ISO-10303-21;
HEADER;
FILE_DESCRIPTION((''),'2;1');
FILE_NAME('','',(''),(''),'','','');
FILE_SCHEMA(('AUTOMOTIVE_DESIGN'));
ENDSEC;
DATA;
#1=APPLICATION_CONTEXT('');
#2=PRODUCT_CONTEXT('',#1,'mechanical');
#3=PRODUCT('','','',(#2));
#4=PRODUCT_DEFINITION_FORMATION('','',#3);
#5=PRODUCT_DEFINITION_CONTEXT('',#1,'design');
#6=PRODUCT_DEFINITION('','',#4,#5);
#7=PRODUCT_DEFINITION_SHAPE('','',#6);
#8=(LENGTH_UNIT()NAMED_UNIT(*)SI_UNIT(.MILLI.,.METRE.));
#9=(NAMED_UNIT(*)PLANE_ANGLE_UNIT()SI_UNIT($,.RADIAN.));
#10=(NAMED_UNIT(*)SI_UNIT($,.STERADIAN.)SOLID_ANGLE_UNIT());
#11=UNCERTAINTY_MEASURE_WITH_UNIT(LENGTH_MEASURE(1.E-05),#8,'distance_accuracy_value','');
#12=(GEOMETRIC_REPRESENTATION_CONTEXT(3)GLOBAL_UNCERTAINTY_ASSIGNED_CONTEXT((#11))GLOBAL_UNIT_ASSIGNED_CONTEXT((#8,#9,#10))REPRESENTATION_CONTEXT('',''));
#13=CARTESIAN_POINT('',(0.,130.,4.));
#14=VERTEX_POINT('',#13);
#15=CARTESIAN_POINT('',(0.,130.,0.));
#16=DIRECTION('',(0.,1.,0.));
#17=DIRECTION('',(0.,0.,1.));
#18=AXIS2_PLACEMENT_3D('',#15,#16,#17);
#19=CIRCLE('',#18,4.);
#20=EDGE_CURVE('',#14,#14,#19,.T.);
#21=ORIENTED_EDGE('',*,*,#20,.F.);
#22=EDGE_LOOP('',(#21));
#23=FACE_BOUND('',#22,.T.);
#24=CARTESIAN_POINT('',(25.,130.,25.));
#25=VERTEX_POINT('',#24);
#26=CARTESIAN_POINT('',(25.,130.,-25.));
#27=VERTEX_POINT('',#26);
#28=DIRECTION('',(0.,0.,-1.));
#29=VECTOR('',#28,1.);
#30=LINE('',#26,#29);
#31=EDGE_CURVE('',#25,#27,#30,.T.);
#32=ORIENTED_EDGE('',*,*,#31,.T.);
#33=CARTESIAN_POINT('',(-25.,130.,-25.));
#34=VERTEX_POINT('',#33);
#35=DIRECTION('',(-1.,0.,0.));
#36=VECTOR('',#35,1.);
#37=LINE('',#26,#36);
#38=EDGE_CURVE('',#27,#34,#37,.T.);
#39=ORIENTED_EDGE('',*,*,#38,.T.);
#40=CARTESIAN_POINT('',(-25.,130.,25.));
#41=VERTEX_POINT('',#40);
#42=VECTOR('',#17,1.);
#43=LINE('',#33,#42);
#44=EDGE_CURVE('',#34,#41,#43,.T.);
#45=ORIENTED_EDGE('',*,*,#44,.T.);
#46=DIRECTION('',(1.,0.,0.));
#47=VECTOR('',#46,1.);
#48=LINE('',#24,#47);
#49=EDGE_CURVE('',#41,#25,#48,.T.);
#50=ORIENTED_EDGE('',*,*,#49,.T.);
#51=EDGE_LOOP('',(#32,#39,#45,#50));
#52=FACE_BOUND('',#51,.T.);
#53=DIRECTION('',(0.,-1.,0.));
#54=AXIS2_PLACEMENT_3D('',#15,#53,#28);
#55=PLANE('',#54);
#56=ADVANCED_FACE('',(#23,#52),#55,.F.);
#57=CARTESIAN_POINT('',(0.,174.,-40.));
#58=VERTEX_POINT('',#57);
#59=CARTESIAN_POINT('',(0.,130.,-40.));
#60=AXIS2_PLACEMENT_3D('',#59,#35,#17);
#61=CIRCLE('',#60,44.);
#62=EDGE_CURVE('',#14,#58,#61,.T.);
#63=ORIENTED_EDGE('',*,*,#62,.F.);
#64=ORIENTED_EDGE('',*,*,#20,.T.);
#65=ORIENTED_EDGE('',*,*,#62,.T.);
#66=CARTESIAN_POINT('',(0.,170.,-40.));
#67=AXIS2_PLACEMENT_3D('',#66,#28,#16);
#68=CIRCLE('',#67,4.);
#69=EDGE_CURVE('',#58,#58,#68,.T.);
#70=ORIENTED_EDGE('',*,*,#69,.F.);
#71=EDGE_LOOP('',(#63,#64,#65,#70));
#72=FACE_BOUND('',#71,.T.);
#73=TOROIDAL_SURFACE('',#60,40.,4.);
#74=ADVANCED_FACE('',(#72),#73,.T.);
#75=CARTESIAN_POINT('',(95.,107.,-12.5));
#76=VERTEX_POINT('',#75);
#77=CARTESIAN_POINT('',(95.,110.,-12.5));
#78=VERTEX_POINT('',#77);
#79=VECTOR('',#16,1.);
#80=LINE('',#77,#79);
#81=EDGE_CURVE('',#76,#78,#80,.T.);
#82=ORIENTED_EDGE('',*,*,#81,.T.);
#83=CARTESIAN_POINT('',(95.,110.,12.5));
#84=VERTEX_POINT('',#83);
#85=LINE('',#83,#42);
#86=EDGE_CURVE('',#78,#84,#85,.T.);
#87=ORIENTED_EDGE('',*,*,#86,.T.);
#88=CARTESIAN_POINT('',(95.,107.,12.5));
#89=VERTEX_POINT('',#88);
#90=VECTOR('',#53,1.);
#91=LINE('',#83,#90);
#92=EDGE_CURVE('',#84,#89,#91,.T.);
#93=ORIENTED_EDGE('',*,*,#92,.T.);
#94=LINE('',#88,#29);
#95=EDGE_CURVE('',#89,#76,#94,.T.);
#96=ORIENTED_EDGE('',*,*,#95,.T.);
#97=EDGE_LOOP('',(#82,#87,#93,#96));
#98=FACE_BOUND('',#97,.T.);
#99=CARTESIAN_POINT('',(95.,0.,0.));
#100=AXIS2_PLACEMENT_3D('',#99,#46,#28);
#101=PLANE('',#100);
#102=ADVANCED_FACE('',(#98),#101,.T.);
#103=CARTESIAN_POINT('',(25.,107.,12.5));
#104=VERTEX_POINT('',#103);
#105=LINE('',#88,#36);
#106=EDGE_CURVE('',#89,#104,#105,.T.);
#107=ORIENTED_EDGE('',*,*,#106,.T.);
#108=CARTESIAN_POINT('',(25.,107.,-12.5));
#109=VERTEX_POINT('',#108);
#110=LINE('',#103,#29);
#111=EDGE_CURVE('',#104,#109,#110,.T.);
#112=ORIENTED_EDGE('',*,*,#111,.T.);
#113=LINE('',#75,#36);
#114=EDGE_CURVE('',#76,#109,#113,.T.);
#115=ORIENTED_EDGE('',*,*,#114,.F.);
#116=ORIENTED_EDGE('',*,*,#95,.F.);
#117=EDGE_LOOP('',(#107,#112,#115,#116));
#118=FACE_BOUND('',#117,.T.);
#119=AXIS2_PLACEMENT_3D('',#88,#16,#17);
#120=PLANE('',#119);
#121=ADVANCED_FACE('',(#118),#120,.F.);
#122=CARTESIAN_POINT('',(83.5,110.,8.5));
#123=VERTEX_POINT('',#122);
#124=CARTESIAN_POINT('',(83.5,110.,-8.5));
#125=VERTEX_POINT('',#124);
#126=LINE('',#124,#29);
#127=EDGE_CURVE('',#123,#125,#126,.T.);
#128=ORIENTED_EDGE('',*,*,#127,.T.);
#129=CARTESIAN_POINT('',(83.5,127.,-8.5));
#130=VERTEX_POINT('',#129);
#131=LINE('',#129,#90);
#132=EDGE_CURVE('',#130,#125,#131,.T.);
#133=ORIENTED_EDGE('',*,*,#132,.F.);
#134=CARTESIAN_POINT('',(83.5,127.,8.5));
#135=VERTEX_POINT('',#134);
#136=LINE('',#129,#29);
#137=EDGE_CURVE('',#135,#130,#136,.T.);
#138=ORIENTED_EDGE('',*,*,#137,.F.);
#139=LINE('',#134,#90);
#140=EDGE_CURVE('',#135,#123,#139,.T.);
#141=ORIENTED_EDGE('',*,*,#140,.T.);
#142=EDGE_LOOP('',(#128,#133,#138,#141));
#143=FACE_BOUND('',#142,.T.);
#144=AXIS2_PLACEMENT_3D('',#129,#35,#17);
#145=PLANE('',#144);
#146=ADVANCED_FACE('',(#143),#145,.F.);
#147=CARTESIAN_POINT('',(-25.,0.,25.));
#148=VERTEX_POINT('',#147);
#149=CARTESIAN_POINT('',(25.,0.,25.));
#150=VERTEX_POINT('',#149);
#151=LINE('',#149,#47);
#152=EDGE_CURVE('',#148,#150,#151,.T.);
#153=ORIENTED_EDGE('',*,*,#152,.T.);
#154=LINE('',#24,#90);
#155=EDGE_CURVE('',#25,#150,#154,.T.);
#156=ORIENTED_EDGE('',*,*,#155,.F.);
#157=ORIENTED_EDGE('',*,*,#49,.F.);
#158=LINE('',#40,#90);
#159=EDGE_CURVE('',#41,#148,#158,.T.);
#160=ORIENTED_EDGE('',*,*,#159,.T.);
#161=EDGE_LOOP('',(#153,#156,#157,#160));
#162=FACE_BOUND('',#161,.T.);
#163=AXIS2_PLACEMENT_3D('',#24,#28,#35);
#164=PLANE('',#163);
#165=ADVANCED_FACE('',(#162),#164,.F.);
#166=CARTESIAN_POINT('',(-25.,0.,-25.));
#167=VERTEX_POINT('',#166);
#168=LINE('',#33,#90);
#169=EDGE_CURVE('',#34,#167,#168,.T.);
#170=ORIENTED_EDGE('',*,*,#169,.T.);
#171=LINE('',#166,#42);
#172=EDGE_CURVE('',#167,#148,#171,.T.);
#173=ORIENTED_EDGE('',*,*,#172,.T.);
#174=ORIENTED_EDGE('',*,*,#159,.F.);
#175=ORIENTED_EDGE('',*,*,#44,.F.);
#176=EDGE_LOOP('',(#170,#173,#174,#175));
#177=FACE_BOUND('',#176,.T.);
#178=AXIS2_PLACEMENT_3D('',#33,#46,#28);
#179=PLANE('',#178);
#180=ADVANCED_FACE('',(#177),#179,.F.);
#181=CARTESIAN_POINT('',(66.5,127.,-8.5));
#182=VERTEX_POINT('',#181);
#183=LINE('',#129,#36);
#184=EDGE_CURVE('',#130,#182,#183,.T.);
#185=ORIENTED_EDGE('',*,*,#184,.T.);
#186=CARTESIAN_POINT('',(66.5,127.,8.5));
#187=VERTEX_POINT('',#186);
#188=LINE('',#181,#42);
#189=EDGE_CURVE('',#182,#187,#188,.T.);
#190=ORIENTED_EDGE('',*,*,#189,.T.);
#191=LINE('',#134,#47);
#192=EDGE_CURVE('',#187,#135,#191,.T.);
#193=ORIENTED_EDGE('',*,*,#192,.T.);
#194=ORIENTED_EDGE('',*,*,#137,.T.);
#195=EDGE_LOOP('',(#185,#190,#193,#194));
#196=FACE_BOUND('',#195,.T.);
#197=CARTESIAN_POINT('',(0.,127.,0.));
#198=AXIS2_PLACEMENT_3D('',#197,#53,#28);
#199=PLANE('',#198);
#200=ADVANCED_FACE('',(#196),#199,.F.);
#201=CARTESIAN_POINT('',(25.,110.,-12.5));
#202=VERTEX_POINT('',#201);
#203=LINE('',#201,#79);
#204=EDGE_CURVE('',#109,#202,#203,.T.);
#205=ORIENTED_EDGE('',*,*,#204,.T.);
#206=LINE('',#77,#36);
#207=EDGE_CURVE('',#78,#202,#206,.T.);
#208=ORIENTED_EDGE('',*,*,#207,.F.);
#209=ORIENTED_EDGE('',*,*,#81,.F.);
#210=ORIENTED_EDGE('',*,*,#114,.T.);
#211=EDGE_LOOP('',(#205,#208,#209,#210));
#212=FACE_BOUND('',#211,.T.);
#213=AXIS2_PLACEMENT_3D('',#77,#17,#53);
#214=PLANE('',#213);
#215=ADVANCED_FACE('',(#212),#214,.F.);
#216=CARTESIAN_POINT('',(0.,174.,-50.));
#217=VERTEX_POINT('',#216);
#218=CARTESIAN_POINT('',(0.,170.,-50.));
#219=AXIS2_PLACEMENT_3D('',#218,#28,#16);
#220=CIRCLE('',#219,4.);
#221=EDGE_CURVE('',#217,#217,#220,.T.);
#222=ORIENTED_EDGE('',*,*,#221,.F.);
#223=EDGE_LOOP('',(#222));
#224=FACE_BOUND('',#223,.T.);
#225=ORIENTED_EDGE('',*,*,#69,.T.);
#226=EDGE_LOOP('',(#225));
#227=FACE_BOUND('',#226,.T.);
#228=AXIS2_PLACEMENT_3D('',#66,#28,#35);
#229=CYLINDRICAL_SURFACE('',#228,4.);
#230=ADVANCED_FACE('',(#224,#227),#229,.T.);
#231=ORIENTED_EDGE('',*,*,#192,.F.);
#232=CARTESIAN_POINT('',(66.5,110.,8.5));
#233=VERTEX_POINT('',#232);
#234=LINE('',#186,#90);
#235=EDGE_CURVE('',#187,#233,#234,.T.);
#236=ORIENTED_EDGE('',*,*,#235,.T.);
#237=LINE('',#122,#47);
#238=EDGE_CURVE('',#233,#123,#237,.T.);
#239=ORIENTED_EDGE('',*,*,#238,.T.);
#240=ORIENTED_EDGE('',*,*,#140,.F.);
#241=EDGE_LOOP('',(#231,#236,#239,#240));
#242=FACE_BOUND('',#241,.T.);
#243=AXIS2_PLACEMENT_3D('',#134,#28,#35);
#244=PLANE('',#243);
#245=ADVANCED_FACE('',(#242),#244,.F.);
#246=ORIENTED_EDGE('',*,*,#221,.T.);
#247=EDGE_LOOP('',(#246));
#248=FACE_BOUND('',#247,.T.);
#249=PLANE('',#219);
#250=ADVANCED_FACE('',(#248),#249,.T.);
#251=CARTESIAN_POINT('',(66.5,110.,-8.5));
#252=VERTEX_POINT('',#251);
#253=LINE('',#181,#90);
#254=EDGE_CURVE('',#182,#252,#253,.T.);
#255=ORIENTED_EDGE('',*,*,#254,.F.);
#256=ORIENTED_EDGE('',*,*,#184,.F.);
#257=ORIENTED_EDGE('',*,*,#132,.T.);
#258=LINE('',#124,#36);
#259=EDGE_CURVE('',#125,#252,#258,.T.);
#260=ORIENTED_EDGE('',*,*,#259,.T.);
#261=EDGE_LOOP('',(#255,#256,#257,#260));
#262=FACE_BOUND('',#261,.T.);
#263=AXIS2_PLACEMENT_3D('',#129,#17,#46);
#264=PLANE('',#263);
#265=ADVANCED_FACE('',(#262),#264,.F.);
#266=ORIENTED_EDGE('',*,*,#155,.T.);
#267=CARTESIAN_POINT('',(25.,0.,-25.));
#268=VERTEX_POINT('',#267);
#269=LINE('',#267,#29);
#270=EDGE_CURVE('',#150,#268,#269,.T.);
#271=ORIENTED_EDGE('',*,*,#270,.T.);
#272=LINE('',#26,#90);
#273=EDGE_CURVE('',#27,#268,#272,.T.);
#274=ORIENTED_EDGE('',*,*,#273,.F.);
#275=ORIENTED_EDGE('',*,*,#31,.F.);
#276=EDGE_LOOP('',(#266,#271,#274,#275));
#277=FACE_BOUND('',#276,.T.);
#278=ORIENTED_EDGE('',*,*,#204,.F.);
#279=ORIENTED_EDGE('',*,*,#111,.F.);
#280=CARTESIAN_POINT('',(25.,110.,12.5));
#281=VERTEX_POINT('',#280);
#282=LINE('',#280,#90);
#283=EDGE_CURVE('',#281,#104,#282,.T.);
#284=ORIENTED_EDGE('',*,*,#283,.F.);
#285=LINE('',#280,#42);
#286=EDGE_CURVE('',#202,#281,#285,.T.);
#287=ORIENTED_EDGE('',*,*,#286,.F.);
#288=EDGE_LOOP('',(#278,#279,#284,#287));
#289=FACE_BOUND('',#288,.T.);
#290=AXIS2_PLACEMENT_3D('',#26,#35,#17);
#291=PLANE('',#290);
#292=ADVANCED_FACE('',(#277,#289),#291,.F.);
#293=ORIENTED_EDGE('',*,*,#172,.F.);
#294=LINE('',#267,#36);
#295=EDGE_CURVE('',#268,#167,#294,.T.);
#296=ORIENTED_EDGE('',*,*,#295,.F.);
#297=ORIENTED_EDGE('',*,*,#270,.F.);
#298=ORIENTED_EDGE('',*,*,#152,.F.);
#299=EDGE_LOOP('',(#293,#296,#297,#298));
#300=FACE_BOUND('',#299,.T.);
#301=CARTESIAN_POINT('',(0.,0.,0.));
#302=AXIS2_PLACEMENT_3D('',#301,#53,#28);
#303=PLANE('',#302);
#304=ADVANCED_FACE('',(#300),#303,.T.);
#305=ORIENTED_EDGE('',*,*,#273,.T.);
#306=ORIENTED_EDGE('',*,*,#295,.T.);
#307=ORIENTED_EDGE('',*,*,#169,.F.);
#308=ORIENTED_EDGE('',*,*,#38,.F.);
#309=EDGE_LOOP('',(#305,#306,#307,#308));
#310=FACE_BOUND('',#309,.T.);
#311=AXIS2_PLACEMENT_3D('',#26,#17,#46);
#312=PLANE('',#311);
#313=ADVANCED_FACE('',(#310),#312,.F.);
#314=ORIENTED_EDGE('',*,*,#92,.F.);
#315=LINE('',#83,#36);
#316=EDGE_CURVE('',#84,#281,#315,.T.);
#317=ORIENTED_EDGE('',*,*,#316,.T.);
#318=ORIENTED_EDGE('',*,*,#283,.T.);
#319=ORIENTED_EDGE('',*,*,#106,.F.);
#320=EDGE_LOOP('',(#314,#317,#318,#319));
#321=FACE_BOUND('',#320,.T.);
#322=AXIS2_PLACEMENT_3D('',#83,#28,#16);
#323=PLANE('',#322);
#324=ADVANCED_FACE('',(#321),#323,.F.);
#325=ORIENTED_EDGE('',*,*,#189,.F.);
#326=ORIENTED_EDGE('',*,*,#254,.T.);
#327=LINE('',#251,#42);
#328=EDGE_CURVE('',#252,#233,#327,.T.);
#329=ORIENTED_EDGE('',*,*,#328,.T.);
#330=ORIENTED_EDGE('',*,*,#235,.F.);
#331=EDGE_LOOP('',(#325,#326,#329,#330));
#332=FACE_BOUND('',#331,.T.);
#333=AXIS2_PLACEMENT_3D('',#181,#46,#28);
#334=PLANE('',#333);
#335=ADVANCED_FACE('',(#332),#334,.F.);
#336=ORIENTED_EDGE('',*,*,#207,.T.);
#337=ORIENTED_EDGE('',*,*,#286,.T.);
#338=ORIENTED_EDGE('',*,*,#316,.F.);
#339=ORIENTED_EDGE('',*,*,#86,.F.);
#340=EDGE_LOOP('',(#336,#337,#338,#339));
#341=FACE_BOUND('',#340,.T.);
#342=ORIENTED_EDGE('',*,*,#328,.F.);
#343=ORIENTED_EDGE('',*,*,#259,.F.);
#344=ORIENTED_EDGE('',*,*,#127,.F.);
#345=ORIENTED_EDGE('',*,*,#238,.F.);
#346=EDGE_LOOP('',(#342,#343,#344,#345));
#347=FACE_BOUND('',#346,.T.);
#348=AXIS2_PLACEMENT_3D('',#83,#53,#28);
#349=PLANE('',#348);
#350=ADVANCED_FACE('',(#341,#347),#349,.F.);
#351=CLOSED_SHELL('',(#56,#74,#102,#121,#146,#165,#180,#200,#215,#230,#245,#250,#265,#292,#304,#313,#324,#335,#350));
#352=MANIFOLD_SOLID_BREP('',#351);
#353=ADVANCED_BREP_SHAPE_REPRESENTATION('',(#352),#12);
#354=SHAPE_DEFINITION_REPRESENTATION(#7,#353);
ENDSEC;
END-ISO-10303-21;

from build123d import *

# Parameters (mm, degrees)
ESBO_O1_W                = 50
ESBO_O1_H                = 50
RESSALTO_EXTRUS_O1_DEPTH = 130
ESBO_O2_W                = 25
ESBO_O2_H                = 3
RESSALTO_EXTRUS_O2_DEPTH = 70
ESBO_O4_W                = 17
ESBO_O4_H                = 17
RESSALTO_EXTRUS_O3_DEPTH = 17
ESBO_O5_R                = 4


with BuildPart() as part:
    # Esboço1 → Ressalto-extrusão1 (new body)
    with BuildSketch(Plane(origin=(0, 0, 0), x_dir=(1, 0, 0), z_dir=(0, 1, 0))):
        Rectangle(ESBO_O1_W, ESBO_O1_H)
    extrude(amount=RESSALTO_EXTRUS_O1_DEPTH)

    # Esboço2 → Ressalto-extrusão2 (add)
    with BuildSketch(Plane(origin=(25, 0, 0), x_dir=(0, 0, -1), z_dir=(1, 0, 0))):
        with Locations((0, 108.5)):
            Rectangle(ESBO_O2_W, ESBO_O2_H)
    extrude(amount=RESSALTO_EXTRUS_O2_DEPTH)

    # Esboço4 → Ressalto-extrusão3 (add)
    with BuildSketch(Plane(origin=(0, 110, 0), x_dir=(1, 0, 0), z_dir=(0, 1, 0))):
        with Locations((75, 0)):
            Rectangle(ESBO_O4_W, ESBO_O4_H)
    extrude(amount=RESSALTO_EXTRUS_O3_DEPTH)

    # Varredura1: sweep along a path in Esboço6
    with BuildLine(Plane(origin=(0, 0, 0), x_dir=(0, 0, -1), z_dir=(1, 0, 0))) as varredura1_path:
        Line((50, 170), (40, 170))
        ThreePointArc((40, 170), (11.715728753, 158.284271247), (0, 130))
    # Esboço5 → Varredura1 (sweep)
    with BuildSketch(Plane(origin=(0, 130, 0), x_dir=(1, 0, 0), z_dir=(0, 1, 0))):
        Circle(ESBO_O5_R)
    sweep(path=varredura1_path.line)


solid = part.part
